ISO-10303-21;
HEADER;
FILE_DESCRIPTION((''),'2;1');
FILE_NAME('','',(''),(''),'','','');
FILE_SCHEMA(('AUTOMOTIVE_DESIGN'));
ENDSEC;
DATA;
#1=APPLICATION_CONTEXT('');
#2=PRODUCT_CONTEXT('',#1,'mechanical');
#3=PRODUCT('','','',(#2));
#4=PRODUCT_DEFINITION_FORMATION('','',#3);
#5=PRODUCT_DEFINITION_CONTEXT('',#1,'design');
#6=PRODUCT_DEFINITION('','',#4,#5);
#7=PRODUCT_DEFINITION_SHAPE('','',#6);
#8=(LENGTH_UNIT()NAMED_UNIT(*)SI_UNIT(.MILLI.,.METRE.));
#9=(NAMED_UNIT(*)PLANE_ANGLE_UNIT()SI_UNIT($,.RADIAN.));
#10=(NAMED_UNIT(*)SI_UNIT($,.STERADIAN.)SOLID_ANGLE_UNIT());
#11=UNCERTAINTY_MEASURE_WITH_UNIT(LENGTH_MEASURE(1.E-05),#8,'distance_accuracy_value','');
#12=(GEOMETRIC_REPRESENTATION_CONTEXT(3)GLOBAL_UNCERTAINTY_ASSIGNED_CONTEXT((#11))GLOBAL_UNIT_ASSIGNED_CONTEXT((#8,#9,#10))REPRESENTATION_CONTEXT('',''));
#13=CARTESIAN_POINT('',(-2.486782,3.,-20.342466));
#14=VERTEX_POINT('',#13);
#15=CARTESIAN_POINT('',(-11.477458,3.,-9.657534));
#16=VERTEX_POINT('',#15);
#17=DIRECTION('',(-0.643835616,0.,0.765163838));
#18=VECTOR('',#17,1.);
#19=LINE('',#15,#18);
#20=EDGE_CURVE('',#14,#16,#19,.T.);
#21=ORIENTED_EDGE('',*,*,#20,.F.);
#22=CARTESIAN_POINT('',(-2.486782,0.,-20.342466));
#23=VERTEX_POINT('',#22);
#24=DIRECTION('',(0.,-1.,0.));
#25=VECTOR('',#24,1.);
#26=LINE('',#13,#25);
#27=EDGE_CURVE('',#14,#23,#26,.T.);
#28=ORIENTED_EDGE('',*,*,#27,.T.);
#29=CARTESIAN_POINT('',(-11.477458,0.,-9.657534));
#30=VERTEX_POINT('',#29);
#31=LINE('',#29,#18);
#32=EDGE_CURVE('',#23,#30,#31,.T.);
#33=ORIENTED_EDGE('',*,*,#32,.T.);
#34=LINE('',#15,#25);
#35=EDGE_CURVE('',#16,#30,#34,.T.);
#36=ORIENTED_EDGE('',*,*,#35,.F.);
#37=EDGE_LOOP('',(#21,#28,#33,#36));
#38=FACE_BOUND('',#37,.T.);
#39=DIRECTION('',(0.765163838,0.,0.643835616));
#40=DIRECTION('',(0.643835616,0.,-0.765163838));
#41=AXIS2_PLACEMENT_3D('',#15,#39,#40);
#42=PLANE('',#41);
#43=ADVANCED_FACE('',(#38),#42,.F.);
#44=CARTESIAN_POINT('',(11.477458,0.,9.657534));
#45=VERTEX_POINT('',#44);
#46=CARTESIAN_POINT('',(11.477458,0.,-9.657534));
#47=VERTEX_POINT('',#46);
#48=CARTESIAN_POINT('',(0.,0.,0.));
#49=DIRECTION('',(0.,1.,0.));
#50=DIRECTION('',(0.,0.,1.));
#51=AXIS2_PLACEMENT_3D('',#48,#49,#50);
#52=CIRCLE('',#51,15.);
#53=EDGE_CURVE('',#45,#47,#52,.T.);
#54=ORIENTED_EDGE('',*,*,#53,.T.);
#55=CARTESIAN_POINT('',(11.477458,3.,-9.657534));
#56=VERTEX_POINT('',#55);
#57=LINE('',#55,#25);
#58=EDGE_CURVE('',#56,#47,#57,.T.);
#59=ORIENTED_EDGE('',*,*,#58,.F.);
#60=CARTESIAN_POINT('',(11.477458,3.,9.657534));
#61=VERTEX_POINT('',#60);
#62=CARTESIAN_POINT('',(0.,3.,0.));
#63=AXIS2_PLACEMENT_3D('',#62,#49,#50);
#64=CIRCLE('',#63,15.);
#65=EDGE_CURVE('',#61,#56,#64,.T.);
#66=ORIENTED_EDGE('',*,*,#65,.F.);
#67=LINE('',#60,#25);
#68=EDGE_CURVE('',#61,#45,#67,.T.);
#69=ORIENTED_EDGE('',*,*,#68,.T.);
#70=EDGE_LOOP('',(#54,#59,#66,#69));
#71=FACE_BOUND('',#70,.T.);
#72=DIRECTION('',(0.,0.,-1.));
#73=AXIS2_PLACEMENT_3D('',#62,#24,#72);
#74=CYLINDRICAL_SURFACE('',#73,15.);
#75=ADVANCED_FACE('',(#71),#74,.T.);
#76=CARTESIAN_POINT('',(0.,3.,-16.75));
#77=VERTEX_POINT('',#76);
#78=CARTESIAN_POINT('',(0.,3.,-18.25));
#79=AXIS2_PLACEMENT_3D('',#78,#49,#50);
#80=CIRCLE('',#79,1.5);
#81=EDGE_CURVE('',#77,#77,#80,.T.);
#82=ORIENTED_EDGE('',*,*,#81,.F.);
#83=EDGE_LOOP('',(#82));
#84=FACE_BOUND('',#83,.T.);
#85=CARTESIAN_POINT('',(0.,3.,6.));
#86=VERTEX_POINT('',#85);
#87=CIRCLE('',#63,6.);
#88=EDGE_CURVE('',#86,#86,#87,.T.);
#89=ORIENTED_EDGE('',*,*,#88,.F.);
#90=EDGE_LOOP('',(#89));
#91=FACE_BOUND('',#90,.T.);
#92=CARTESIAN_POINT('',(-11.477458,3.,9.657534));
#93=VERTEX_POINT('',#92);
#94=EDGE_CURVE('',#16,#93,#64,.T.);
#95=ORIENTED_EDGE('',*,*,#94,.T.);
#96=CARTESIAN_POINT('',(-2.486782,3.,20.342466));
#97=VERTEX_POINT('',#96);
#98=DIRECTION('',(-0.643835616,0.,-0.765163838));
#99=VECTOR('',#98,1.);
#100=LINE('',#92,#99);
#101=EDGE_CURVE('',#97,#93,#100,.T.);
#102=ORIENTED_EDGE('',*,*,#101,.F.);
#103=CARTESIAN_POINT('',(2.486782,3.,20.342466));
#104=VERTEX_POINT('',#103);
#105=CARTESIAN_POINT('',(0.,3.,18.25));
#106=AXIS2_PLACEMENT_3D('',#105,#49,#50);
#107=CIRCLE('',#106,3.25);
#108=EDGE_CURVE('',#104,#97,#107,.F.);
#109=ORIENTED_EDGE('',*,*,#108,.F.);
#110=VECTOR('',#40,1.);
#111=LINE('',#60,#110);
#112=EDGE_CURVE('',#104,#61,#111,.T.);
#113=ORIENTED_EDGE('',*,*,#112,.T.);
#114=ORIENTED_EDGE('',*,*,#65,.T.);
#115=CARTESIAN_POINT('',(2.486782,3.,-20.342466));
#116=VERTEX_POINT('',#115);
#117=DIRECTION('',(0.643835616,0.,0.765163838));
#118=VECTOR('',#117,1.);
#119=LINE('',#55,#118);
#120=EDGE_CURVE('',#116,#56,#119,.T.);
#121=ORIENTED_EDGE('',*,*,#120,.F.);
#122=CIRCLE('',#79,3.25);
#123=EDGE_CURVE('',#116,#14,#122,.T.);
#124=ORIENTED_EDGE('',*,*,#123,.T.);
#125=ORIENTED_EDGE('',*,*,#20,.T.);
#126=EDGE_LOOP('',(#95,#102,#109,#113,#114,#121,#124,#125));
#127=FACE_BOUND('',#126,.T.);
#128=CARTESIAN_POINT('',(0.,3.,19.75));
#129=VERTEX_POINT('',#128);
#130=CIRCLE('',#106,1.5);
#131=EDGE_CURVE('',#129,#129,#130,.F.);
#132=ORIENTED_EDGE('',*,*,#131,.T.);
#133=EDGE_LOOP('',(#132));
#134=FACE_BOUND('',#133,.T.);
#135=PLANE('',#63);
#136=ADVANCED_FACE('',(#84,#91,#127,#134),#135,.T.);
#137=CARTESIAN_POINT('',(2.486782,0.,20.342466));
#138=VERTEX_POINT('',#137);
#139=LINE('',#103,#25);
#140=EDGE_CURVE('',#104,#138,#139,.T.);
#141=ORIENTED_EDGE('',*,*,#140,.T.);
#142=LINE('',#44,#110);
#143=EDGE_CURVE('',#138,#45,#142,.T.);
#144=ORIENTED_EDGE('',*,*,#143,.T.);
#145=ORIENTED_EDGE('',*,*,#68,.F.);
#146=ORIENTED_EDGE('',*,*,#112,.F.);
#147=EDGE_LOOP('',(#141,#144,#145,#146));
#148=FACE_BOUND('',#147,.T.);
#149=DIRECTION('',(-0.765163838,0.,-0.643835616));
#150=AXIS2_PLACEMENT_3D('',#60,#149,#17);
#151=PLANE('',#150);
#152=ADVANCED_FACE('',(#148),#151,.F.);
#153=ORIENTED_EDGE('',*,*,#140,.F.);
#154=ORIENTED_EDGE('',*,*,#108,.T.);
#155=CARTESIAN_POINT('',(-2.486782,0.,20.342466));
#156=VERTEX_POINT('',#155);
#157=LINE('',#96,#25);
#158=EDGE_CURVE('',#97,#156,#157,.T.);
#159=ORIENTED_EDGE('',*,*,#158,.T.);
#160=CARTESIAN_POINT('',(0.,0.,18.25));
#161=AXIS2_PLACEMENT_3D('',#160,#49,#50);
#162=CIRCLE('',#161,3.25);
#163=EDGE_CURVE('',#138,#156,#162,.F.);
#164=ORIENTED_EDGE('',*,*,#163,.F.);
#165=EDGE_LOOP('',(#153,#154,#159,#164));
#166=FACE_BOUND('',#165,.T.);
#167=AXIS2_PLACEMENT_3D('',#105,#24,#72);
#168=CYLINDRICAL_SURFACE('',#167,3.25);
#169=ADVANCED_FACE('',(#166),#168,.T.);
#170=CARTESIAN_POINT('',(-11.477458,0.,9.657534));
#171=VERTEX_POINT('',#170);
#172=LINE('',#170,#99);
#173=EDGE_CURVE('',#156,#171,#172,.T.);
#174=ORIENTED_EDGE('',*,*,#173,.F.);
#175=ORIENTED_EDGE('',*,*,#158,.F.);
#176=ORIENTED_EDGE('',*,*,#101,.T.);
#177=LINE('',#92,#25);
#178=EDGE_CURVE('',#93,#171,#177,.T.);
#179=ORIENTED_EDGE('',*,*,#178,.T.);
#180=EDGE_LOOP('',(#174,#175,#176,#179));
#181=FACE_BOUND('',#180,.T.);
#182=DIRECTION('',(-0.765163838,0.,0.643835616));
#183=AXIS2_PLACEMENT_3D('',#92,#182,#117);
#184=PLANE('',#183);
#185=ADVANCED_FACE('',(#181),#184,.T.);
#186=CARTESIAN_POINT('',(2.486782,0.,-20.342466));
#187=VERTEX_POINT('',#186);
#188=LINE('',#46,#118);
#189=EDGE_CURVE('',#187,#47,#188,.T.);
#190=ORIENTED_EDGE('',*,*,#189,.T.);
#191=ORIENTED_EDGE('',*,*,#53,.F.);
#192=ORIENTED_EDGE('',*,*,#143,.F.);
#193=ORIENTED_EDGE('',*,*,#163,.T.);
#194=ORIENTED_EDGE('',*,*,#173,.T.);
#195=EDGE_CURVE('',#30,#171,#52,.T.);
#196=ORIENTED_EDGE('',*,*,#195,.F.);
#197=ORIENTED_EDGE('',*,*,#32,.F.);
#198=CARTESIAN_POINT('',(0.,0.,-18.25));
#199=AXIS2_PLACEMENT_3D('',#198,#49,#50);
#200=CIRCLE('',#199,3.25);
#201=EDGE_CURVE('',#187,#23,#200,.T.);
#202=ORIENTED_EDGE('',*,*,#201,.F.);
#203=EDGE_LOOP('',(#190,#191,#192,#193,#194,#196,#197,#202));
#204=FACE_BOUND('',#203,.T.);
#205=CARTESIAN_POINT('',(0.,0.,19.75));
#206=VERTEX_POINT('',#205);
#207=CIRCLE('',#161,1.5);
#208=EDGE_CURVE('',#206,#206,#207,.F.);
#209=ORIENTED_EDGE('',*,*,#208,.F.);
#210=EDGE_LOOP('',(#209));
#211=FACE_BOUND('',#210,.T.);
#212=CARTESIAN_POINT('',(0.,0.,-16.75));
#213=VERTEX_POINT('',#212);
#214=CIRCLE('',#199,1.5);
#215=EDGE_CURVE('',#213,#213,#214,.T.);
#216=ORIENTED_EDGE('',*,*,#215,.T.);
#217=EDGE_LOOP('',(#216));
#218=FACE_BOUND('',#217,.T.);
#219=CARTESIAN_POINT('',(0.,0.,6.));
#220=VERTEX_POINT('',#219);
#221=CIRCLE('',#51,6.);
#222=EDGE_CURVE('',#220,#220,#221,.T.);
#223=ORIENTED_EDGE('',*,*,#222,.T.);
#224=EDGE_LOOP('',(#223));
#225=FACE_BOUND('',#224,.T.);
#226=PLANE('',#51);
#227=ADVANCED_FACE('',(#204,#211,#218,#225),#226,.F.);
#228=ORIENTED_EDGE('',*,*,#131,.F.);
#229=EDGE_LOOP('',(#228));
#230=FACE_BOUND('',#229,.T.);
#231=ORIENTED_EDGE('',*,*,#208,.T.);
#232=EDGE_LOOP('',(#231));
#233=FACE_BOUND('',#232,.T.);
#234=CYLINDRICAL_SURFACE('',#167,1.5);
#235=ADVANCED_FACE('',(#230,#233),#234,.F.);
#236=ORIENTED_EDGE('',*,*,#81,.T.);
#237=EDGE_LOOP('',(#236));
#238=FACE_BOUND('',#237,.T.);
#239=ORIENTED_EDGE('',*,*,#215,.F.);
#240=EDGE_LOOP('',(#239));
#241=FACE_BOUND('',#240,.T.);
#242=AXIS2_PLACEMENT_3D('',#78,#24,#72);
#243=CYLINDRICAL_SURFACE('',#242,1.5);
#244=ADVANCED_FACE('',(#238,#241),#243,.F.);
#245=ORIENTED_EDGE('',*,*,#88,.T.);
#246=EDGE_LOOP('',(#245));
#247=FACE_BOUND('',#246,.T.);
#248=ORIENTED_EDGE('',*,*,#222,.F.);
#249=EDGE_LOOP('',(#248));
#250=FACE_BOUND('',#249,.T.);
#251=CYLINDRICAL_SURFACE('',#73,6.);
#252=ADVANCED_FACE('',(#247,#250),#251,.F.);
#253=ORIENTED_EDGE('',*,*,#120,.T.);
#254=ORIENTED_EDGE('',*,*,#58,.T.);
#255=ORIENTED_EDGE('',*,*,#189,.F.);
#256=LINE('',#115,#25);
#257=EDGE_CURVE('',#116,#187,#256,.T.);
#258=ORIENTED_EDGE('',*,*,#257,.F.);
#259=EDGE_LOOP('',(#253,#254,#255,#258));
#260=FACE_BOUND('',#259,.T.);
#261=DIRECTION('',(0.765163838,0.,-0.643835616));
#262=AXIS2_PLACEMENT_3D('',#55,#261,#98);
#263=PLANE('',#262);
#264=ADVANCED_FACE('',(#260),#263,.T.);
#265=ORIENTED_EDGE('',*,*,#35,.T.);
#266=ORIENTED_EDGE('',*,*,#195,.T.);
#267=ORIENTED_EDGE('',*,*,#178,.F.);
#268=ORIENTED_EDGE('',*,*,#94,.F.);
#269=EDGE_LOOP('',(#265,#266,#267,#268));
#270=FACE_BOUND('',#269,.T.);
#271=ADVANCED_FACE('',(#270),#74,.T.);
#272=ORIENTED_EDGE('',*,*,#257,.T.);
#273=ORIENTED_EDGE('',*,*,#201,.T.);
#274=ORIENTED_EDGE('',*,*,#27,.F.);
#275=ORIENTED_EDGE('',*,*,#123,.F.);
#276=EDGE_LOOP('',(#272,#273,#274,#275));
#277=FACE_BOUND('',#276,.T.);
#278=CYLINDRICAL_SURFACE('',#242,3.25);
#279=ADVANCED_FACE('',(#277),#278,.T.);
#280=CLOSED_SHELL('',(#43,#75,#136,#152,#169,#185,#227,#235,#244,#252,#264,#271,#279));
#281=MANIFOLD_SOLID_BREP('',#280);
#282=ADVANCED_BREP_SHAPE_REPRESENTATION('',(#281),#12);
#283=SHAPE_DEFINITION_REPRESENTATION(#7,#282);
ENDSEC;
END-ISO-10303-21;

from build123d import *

# Parameters (mm, degrees)
SKETCH1_R           = 1.5
SKETCH1_R_2         = 6
BOSS_EXTRUDE1_DEPTH = 3


with BuildPart() as part:
    # Sketch1 → Boss-Extrude1 (new body)
    with BuildSketch(Plane(origin=(0, 0, 0), x_dir=(1, 0, 0), z_dir=(0, 1, 0))):
        with BuildLine():
            Line((-11.47745757, -9.657534247), (-2.486782474, -20.342465753))
            ThreePointArc((-2.486782474, -20.342465753), (0, -21.5), (2.486782474, -20.342465753))
            Line((2.486782474, -20.342465753), (11.47745757, -9.657534247))
            ThreePointArc((11.47745757, -9.657534247), (15, 0), (11.47745757, 9.657534247))
            Line((11.47745757, 9.657534247), (2.486782474, 20.342465753))
            ThreePointArc((2.486782474, 20.342465753), (0, 21.5), (-2.486782474, 20.342465753))
            Line((-2.486782474, 20.342465753), (-11.47745757, 9.657534247))
            ThreePointArc((-11.47745757, 9.657534247), (-15, 0), (-11.47745757, -9.657534247))
        make_face()
        with Locations((0, -18.25)):
            Circle(SKETCH1_R, mode=Mode.SUBTRACT)
        Circle(SKETCH1_R_2, mode=Mode.SUBTRACT)
        with Locations((0, 18.25)):
            Circle(SKETCH1_R, mode=Mode.SUBTRACT)
    extrude(amount=BOSS_EXTRUDE1_DEPTH)


solid = part.part
